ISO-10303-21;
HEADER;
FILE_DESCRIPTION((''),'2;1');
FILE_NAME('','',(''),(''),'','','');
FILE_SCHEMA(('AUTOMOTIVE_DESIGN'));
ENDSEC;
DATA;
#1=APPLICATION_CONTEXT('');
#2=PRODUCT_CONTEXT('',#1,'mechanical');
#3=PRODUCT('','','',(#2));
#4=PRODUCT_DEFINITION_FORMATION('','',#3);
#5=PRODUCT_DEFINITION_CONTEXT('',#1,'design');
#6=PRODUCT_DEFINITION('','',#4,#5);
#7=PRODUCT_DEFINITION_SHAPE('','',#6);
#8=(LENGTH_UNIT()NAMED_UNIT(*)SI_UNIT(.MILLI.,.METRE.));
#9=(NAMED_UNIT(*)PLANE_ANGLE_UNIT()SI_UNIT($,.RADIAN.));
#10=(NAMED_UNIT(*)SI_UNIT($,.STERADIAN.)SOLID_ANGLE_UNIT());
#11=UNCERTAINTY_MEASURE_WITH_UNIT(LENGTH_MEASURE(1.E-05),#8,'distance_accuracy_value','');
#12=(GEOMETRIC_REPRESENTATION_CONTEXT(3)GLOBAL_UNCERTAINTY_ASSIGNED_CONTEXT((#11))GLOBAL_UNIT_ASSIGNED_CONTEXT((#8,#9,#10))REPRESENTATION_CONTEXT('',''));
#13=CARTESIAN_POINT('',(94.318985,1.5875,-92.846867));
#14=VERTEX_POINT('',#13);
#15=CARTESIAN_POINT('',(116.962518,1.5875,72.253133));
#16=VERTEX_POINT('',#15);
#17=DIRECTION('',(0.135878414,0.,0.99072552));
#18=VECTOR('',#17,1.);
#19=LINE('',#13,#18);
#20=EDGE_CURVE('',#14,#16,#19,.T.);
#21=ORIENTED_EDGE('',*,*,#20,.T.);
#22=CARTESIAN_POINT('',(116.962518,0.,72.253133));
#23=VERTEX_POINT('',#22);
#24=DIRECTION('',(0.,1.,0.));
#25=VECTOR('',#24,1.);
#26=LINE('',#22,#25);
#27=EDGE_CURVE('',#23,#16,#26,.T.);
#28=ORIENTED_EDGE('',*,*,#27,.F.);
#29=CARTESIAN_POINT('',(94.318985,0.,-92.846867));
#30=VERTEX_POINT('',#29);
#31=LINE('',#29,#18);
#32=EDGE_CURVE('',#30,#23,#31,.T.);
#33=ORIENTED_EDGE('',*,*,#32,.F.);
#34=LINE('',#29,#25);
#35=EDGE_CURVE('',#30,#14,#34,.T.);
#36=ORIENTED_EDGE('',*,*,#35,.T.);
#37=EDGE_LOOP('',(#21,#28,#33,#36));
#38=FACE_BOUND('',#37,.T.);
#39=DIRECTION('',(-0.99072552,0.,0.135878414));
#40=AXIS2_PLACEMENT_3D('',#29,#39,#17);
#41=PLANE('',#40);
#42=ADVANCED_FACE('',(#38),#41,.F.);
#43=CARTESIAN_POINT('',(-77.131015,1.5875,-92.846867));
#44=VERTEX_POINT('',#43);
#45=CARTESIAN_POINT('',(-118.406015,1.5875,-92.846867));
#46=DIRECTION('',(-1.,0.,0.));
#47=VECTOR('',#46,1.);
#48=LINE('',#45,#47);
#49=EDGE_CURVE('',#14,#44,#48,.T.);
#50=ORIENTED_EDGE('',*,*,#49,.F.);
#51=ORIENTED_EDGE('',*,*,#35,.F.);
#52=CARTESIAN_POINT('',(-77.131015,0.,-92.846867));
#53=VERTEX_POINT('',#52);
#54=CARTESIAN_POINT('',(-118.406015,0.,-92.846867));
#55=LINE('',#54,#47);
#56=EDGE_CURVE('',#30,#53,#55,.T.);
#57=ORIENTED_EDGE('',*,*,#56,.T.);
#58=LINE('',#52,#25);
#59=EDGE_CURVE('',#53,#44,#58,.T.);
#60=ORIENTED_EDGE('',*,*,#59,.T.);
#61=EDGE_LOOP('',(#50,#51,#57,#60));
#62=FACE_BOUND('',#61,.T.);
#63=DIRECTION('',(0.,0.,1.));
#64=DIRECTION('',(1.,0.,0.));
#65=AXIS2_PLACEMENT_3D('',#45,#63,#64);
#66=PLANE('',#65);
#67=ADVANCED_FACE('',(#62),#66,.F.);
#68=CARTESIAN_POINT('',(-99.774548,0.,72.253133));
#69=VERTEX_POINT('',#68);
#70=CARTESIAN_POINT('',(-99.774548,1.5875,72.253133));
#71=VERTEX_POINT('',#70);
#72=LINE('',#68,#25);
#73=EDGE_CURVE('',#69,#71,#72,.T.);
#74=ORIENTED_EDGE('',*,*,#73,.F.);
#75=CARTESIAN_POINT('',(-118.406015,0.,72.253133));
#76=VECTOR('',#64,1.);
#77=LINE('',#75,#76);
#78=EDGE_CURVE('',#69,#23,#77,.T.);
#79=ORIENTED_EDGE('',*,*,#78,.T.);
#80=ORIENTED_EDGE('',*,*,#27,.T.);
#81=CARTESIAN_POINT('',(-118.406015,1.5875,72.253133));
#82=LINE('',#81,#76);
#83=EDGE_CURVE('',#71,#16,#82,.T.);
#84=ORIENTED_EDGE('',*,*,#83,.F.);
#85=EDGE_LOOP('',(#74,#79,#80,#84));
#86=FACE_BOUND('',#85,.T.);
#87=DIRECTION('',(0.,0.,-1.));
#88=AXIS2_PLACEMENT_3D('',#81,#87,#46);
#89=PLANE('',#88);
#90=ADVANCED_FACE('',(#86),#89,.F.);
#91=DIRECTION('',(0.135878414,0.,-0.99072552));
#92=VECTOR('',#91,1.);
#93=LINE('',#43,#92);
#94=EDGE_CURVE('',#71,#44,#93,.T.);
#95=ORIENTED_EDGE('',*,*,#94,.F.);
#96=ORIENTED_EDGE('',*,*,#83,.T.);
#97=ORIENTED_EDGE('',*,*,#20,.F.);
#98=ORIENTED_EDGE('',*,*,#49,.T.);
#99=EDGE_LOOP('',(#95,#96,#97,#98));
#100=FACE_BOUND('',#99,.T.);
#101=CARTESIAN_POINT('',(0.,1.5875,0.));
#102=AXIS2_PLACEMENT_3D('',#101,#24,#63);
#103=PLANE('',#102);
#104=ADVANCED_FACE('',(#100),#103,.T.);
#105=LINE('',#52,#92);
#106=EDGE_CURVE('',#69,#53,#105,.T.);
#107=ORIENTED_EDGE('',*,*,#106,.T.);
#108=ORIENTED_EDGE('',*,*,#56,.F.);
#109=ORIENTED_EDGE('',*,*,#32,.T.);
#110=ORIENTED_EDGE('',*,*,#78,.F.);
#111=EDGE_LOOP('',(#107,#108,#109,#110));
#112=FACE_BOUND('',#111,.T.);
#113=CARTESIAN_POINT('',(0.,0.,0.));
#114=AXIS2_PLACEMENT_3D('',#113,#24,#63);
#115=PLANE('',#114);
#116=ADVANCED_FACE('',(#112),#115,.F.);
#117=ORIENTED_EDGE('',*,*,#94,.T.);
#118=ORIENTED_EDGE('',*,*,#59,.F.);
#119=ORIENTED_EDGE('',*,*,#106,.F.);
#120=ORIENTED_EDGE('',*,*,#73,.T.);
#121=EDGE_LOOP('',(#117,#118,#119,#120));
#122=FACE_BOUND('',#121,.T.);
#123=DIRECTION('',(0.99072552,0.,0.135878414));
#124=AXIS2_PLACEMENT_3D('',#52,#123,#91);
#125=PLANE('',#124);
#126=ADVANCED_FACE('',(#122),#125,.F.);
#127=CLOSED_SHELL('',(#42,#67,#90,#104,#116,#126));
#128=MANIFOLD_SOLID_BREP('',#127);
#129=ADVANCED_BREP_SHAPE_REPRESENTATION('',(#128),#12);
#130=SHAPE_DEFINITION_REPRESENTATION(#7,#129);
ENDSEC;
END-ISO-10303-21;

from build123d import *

# Parameters (mm, degrees)
SKETCH1_W           = 254
SKETCH1_H           = 165.1
BOSS_EXTRUDE1_DEPTH = 1.5875
CUT_EXTRUDE1_DEPTH  = 1.5875


with BuildPart() as part:
    # Sketch1 → Boss-Extrude1 (new body)
    with BuildSketch(Plane(origin=(0, 0, 0), x_dir=(1, 0, 0), z_dir=(0, 1, 0))):
        with Locations((8.593984962, 10.296867168)):
            Rectangle(SKETCH1_W, SKETCH1_H)
    extrude(amount=BOSS_EXTRUDE1_DEPTH)

    # Sketch2 → Cut-Extrude1 (cut)
    with BuildSketch(Plane(origin=(0, 1.5875, 0), x_dir=(1, 0, 0), z_dir=(0, 1, 0))):
        Polygon((-118.406015038, 92.846867168), (-77.131015038, 92.846867168), (-99.774548191, -72.253132832), (-118.406015038, -72.253132832), align=None)
        Polygon((135.593984962, 92.846867168), (94.318984962, 92.846867168), (116.962518034, -72.253132832), (135.593984962, -72.253132832), align=None)
    extrude(amount=-CUT_EXTRUDE1_DEPTH, mode=Mode.SUBTRACT)


solid = part.part
